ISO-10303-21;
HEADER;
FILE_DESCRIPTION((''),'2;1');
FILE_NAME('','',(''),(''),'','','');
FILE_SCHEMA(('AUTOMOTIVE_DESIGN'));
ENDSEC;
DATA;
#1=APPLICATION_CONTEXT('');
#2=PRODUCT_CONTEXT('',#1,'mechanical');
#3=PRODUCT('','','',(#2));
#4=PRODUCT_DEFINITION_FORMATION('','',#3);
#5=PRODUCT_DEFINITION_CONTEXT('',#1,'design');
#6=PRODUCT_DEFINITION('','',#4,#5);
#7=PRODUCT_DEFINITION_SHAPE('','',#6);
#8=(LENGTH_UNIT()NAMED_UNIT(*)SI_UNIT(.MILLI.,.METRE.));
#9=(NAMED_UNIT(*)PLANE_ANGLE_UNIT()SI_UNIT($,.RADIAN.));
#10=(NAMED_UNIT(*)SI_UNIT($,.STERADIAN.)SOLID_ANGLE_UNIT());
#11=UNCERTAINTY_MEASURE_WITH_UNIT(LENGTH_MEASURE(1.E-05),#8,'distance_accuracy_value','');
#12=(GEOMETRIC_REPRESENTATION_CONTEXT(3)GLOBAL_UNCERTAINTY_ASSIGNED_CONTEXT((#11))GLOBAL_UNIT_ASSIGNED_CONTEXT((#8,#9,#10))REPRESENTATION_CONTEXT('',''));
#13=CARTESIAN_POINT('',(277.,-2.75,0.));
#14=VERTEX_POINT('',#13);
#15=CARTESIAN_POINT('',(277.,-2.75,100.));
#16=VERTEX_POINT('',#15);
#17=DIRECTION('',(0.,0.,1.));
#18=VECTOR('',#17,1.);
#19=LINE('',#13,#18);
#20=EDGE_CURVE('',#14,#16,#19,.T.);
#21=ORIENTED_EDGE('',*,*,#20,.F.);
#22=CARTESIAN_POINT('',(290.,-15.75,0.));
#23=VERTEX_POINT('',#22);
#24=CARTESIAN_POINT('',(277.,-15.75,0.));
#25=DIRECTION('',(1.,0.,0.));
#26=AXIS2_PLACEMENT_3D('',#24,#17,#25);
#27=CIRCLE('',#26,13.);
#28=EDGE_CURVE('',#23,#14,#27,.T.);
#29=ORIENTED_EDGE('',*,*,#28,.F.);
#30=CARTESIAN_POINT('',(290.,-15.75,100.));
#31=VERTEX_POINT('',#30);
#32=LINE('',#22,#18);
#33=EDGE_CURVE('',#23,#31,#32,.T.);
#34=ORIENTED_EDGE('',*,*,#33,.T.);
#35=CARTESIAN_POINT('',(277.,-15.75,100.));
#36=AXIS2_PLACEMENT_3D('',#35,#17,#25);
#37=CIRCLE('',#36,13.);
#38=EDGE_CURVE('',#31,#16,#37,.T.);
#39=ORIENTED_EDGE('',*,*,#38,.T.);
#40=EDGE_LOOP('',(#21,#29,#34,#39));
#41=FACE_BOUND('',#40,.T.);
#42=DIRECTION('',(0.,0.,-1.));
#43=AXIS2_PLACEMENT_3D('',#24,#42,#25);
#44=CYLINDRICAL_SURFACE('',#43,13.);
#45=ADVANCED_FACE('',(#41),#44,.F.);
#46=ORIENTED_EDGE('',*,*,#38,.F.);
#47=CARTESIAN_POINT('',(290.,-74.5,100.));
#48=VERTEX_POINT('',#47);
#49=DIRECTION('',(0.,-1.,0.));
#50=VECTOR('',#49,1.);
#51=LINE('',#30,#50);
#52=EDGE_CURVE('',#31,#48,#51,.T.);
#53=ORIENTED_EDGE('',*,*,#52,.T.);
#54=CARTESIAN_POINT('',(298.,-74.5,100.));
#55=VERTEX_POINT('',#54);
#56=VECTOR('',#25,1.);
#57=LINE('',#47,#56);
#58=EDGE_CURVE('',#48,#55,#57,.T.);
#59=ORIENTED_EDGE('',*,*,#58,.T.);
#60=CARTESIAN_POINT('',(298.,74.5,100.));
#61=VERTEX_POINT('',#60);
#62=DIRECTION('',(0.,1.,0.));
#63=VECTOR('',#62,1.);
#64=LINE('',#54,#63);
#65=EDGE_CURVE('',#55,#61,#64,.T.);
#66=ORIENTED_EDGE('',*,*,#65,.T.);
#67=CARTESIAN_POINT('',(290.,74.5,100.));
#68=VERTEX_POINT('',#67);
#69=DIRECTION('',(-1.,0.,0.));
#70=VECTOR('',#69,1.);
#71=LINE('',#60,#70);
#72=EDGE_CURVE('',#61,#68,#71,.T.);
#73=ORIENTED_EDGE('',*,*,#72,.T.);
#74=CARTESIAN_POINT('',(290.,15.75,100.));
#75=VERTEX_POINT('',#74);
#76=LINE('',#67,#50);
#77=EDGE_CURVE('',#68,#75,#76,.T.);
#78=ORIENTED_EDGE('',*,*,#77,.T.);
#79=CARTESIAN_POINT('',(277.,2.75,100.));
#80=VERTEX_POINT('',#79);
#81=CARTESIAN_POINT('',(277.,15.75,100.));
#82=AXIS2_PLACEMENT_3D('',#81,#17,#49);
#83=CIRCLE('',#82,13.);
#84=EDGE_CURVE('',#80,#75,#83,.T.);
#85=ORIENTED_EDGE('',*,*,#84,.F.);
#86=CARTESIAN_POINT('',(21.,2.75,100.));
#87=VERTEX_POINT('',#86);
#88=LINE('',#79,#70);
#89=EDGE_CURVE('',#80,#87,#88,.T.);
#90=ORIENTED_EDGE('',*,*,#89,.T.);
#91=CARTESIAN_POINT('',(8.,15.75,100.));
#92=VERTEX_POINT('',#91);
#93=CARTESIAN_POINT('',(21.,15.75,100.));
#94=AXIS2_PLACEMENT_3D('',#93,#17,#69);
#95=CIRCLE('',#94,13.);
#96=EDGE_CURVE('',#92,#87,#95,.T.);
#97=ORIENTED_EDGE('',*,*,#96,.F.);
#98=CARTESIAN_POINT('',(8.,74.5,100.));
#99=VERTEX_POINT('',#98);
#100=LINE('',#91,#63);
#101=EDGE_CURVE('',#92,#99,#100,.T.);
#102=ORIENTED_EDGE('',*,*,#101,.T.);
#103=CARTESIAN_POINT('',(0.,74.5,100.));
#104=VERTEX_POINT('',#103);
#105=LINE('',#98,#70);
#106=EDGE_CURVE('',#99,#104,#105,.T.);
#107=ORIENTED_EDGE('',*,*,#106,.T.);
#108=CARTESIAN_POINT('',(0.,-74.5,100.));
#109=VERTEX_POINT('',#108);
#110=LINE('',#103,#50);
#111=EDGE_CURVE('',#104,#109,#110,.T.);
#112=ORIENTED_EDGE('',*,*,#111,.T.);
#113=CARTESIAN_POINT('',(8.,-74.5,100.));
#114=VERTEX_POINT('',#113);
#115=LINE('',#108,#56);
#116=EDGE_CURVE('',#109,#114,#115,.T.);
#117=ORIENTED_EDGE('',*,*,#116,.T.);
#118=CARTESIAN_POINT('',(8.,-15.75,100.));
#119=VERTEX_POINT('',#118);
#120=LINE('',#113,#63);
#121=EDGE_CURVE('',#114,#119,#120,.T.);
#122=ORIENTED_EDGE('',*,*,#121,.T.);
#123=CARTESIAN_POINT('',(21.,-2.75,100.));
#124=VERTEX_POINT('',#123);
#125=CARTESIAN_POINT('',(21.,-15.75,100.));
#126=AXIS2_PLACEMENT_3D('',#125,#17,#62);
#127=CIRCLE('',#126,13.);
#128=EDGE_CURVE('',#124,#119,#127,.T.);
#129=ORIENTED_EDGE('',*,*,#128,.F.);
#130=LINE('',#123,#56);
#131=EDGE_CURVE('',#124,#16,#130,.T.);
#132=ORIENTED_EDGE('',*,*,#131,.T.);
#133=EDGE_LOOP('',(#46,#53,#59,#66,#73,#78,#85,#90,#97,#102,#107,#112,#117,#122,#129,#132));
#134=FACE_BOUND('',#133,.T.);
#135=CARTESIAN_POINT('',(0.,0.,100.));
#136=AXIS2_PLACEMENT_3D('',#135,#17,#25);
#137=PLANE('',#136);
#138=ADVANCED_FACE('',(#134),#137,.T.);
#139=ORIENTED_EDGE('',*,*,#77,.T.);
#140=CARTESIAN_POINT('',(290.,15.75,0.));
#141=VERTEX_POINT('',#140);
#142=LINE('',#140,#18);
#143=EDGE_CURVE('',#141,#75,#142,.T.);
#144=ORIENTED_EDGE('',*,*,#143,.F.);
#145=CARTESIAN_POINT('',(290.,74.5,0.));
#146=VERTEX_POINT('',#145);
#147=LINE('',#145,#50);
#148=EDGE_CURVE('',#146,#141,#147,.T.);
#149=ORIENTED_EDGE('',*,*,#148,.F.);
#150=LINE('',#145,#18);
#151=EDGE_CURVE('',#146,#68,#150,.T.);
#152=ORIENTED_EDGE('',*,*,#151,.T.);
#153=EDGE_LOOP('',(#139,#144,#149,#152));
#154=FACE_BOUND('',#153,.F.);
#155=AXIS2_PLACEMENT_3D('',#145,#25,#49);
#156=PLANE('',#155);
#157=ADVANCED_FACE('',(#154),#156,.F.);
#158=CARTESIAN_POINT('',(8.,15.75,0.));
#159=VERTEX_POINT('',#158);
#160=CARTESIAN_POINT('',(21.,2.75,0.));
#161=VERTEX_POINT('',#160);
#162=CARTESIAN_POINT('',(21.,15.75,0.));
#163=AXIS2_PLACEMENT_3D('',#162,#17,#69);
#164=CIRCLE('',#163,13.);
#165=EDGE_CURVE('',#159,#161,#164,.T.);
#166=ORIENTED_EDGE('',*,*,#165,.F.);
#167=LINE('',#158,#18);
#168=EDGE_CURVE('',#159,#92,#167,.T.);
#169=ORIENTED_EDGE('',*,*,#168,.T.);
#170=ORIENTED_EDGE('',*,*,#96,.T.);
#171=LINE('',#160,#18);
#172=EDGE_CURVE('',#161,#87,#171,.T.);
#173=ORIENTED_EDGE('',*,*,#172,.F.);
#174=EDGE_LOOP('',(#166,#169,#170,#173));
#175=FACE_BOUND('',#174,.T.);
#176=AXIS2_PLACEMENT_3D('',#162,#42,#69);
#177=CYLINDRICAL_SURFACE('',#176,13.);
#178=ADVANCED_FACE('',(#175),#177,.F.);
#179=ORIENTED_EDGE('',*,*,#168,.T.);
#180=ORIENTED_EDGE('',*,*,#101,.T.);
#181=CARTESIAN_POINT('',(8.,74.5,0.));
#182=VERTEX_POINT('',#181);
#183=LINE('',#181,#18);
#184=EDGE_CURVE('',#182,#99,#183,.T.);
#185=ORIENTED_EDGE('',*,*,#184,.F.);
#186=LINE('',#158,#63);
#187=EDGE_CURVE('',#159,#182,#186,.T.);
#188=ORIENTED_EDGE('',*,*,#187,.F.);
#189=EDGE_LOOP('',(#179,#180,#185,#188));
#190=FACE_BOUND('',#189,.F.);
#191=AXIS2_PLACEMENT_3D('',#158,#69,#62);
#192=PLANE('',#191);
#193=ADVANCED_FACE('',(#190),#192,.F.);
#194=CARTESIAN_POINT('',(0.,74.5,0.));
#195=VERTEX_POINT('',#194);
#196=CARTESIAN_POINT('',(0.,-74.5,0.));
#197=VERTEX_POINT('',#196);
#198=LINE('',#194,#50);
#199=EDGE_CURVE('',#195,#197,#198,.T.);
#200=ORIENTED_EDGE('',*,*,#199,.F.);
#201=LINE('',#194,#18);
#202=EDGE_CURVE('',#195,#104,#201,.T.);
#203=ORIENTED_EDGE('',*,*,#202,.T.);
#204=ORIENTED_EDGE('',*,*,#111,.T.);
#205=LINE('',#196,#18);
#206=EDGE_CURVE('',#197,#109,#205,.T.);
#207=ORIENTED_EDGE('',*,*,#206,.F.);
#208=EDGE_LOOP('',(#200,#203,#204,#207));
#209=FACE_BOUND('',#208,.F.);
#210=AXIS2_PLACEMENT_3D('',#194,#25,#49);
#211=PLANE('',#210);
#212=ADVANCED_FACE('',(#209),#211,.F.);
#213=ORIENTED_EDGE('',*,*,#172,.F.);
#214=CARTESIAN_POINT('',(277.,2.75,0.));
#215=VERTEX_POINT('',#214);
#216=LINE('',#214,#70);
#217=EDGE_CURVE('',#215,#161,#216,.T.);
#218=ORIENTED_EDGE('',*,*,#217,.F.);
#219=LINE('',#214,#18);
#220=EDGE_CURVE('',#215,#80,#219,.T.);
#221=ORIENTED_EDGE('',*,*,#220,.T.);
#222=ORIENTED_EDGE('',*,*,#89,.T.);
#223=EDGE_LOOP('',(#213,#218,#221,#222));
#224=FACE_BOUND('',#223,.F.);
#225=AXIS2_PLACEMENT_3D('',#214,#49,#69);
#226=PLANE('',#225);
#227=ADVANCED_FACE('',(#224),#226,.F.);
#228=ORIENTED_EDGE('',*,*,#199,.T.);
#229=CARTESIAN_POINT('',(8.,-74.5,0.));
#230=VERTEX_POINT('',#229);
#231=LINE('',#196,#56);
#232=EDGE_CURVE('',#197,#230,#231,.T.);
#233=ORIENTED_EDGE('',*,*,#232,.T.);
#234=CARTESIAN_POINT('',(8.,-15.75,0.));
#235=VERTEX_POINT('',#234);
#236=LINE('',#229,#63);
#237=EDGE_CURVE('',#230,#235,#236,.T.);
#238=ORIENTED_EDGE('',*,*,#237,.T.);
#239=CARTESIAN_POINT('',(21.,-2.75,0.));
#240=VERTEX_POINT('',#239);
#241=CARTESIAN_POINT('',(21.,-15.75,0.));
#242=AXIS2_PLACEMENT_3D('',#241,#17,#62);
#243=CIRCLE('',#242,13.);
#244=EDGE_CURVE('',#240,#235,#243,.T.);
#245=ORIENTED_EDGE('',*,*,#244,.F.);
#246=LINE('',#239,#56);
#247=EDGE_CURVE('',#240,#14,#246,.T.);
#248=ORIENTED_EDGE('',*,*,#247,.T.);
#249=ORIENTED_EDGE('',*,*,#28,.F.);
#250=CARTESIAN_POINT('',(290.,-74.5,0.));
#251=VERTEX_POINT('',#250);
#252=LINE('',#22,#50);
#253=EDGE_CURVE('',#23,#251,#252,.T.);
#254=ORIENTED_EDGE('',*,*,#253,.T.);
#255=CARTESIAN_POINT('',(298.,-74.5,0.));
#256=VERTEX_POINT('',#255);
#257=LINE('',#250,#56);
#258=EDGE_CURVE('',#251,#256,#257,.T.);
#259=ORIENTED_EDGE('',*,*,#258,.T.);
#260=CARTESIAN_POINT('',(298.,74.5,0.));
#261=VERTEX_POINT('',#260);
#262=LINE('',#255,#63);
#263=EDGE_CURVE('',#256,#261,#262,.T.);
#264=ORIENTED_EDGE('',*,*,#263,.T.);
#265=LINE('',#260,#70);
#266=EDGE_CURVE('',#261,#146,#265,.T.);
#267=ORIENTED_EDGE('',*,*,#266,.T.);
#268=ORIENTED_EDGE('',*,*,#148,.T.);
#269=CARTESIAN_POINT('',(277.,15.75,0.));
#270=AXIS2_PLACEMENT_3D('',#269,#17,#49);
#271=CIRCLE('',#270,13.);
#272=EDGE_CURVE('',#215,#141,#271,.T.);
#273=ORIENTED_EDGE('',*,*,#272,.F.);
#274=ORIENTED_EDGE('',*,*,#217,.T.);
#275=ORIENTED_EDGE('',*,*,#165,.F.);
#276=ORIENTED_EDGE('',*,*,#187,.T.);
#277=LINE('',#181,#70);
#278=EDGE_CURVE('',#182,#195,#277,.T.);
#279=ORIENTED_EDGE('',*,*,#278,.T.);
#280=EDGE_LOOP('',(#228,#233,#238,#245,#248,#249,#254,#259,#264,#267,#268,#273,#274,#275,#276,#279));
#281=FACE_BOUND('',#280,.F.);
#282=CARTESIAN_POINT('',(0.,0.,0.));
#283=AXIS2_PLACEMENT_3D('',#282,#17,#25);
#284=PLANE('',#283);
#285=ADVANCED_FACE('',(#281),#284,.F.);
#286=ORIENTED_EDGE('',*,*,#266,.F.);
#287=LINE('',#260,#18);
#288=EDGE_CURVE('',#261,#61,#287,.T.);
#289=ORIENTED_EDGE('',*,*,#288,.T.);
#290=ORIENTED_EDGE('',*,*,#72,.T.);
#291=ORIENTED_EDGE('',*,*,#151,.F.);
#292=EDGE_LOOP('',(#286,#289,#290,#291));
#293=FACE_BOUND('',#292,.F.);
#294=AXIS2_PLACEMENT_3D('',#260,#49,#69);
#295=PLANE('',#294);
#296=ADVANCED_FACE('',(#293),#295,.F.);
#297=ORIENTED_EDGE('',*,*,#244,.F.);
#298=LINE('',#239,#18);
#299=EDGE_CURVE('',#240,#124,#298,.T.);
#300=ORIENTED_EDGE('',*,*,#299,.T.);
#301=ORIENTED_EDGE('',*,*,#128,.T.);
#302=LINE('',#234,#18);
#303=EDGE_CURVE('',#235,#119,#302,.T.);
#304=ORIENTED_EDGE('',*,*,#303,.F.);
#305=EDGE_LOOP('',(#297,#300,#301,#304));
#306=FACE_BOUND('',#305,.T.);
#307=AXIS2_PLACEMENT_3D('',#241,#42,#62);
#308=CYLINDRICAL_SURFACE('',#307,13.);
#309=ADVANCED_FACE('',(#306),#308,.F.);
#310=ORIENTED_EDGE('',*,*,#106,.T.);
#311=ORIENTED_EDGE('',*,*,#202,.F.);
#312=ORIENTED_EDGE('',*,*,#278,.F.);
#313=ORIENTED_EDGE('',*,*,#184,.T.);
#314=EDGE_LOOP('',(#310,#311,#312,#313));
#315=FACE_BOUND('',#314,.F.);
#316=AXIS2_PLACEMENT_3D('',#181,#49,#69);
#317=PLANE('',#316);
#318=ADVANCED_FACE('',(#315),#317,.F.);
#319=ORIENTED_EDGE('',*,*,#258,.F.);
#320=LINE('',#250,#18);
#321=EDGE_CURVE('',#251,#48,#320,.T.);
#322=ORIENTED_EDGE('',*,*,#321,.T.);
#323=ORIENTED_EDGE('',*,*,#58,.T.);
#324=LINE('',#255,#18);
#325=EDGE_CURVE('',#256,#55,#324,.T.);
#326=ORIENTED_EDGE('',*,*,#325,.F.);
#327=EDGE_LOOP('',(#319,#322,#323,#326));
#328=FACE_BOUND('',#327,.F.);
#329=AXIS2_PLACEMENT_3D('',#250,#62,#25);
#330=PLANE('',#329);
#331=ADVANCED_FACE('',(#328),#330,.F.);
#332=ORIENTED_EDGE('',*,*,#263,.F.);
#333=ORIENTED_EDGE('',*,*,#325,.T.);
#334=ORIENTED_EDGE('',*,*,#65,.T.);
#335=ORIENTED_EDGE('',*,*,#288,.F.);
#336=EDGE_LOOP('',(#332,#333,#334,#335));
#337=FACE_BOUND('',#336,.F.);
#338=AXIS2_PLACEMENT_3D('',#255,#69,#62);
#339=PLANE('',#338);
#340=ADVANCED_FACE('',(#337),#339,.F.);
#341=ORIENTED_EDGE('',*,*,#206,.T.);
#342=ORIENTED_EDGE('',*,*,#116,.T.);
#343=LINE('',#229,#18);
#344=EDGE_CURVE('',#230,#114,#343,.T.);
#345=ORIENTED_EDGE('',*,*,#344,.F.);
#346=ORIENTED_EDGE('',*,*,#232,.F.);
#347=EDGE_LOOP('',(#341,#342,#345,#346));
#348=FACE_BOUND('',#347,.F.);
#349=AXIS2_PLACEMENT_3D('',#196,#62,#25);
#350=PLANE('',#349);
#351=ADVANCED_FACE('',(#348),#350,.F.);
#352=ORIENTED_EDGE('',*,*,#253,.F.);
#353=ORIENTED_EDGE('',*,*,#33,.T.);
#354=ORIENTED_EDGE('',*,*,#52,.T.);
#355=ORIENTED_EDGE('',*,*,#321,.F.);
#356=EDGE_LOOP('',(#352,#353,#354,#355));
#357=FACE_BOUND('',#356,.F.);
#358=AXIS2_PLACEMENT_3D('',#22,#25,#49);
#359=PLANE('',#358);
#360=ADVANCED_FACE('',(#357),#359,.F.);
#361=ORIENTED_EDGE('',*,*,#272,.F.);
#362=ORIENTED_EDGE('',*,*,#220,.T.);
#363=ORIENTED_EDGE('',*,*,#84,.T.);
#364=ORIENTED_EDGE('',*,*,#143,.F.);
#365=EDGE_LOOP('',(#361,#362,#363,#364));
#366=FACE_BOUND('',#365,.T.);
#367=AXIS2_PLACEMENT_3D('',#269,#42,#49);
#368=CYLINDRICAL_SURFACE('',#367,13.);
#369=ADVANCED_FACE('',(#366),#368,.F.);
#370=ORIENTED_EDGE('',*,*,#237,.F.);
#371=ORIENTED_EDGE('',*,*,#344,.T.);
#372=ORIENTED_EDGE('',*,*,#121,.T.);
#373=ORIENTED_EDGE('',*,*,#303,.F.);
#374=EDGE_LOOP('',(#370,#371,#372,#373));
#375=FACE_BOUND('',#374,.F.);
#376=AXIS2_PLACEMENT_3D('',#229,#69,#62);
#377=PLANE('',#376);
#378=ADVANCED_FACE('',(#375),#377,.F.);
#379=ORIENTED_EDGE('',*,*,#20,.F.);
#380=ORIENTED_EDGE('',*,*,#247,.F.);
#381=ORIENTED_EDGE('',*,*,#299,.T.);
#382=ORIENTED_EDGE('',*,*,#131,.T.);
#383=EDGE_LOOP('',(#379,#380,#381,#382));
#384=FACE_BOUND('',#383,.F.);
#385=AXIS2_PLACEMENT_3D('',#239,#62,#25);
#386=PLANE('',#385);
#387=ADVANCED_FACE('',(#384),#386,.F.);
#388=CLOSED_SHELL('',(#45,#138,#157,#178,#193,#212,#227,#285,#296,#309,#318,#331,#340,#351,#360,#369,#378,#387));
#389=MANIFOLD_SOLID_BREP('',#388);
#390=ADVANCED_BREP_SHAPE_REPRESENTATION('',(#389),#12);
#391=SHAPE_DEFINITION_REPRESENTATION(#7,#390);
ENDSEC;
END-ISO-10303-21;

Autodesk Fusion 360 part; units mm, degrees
sketch "スケッチ1" plane through (0, 0, 0) normal (0, 0, 1) x (1, 0, 0)
  line L0 (0, 74.5) -> (0, -74.5)
  line L1 (298, -74.5) -> (298, 74.5)
  line L2 (290, -15.75) -> (290, -74.5)
  line L3 (8, -74.5) -> (8, -15.75)
  line L4 (0, -74.5) -> (8, -74.5)
  line L5 (290, -74.5) -> (298, -74.5)
  line L6 (277, 2.75) -> (21, 2.75)
  line L7 (21, -2.75) -> (277, -2.75)
  line L8 (8, 15.75) -> (8, 74.5)
  arc A0 (8, 15.75) -> (21, 2.75) centre (21, 15.75) ccw
  arc A1 (21, -2.75) -> (8, -15.75) centre (21, -15.75) ccw
  line L9 (8, 74.5) -> (0, 74.5)
  line L10 (290, 74.5) -> (290, 15.75)
  arc A2 (277, 2.75) -> (290, 15.75) centre (277, 15.75) ccw
  arc A3 (290, -15.75) -> (277, -2.75) centre (277, -15.75) ccw
  line L11 (298, 74.5) -> (290, 74.5)
extrude "押し出し1" add sketch "スケッチ1" along normal blind 100
